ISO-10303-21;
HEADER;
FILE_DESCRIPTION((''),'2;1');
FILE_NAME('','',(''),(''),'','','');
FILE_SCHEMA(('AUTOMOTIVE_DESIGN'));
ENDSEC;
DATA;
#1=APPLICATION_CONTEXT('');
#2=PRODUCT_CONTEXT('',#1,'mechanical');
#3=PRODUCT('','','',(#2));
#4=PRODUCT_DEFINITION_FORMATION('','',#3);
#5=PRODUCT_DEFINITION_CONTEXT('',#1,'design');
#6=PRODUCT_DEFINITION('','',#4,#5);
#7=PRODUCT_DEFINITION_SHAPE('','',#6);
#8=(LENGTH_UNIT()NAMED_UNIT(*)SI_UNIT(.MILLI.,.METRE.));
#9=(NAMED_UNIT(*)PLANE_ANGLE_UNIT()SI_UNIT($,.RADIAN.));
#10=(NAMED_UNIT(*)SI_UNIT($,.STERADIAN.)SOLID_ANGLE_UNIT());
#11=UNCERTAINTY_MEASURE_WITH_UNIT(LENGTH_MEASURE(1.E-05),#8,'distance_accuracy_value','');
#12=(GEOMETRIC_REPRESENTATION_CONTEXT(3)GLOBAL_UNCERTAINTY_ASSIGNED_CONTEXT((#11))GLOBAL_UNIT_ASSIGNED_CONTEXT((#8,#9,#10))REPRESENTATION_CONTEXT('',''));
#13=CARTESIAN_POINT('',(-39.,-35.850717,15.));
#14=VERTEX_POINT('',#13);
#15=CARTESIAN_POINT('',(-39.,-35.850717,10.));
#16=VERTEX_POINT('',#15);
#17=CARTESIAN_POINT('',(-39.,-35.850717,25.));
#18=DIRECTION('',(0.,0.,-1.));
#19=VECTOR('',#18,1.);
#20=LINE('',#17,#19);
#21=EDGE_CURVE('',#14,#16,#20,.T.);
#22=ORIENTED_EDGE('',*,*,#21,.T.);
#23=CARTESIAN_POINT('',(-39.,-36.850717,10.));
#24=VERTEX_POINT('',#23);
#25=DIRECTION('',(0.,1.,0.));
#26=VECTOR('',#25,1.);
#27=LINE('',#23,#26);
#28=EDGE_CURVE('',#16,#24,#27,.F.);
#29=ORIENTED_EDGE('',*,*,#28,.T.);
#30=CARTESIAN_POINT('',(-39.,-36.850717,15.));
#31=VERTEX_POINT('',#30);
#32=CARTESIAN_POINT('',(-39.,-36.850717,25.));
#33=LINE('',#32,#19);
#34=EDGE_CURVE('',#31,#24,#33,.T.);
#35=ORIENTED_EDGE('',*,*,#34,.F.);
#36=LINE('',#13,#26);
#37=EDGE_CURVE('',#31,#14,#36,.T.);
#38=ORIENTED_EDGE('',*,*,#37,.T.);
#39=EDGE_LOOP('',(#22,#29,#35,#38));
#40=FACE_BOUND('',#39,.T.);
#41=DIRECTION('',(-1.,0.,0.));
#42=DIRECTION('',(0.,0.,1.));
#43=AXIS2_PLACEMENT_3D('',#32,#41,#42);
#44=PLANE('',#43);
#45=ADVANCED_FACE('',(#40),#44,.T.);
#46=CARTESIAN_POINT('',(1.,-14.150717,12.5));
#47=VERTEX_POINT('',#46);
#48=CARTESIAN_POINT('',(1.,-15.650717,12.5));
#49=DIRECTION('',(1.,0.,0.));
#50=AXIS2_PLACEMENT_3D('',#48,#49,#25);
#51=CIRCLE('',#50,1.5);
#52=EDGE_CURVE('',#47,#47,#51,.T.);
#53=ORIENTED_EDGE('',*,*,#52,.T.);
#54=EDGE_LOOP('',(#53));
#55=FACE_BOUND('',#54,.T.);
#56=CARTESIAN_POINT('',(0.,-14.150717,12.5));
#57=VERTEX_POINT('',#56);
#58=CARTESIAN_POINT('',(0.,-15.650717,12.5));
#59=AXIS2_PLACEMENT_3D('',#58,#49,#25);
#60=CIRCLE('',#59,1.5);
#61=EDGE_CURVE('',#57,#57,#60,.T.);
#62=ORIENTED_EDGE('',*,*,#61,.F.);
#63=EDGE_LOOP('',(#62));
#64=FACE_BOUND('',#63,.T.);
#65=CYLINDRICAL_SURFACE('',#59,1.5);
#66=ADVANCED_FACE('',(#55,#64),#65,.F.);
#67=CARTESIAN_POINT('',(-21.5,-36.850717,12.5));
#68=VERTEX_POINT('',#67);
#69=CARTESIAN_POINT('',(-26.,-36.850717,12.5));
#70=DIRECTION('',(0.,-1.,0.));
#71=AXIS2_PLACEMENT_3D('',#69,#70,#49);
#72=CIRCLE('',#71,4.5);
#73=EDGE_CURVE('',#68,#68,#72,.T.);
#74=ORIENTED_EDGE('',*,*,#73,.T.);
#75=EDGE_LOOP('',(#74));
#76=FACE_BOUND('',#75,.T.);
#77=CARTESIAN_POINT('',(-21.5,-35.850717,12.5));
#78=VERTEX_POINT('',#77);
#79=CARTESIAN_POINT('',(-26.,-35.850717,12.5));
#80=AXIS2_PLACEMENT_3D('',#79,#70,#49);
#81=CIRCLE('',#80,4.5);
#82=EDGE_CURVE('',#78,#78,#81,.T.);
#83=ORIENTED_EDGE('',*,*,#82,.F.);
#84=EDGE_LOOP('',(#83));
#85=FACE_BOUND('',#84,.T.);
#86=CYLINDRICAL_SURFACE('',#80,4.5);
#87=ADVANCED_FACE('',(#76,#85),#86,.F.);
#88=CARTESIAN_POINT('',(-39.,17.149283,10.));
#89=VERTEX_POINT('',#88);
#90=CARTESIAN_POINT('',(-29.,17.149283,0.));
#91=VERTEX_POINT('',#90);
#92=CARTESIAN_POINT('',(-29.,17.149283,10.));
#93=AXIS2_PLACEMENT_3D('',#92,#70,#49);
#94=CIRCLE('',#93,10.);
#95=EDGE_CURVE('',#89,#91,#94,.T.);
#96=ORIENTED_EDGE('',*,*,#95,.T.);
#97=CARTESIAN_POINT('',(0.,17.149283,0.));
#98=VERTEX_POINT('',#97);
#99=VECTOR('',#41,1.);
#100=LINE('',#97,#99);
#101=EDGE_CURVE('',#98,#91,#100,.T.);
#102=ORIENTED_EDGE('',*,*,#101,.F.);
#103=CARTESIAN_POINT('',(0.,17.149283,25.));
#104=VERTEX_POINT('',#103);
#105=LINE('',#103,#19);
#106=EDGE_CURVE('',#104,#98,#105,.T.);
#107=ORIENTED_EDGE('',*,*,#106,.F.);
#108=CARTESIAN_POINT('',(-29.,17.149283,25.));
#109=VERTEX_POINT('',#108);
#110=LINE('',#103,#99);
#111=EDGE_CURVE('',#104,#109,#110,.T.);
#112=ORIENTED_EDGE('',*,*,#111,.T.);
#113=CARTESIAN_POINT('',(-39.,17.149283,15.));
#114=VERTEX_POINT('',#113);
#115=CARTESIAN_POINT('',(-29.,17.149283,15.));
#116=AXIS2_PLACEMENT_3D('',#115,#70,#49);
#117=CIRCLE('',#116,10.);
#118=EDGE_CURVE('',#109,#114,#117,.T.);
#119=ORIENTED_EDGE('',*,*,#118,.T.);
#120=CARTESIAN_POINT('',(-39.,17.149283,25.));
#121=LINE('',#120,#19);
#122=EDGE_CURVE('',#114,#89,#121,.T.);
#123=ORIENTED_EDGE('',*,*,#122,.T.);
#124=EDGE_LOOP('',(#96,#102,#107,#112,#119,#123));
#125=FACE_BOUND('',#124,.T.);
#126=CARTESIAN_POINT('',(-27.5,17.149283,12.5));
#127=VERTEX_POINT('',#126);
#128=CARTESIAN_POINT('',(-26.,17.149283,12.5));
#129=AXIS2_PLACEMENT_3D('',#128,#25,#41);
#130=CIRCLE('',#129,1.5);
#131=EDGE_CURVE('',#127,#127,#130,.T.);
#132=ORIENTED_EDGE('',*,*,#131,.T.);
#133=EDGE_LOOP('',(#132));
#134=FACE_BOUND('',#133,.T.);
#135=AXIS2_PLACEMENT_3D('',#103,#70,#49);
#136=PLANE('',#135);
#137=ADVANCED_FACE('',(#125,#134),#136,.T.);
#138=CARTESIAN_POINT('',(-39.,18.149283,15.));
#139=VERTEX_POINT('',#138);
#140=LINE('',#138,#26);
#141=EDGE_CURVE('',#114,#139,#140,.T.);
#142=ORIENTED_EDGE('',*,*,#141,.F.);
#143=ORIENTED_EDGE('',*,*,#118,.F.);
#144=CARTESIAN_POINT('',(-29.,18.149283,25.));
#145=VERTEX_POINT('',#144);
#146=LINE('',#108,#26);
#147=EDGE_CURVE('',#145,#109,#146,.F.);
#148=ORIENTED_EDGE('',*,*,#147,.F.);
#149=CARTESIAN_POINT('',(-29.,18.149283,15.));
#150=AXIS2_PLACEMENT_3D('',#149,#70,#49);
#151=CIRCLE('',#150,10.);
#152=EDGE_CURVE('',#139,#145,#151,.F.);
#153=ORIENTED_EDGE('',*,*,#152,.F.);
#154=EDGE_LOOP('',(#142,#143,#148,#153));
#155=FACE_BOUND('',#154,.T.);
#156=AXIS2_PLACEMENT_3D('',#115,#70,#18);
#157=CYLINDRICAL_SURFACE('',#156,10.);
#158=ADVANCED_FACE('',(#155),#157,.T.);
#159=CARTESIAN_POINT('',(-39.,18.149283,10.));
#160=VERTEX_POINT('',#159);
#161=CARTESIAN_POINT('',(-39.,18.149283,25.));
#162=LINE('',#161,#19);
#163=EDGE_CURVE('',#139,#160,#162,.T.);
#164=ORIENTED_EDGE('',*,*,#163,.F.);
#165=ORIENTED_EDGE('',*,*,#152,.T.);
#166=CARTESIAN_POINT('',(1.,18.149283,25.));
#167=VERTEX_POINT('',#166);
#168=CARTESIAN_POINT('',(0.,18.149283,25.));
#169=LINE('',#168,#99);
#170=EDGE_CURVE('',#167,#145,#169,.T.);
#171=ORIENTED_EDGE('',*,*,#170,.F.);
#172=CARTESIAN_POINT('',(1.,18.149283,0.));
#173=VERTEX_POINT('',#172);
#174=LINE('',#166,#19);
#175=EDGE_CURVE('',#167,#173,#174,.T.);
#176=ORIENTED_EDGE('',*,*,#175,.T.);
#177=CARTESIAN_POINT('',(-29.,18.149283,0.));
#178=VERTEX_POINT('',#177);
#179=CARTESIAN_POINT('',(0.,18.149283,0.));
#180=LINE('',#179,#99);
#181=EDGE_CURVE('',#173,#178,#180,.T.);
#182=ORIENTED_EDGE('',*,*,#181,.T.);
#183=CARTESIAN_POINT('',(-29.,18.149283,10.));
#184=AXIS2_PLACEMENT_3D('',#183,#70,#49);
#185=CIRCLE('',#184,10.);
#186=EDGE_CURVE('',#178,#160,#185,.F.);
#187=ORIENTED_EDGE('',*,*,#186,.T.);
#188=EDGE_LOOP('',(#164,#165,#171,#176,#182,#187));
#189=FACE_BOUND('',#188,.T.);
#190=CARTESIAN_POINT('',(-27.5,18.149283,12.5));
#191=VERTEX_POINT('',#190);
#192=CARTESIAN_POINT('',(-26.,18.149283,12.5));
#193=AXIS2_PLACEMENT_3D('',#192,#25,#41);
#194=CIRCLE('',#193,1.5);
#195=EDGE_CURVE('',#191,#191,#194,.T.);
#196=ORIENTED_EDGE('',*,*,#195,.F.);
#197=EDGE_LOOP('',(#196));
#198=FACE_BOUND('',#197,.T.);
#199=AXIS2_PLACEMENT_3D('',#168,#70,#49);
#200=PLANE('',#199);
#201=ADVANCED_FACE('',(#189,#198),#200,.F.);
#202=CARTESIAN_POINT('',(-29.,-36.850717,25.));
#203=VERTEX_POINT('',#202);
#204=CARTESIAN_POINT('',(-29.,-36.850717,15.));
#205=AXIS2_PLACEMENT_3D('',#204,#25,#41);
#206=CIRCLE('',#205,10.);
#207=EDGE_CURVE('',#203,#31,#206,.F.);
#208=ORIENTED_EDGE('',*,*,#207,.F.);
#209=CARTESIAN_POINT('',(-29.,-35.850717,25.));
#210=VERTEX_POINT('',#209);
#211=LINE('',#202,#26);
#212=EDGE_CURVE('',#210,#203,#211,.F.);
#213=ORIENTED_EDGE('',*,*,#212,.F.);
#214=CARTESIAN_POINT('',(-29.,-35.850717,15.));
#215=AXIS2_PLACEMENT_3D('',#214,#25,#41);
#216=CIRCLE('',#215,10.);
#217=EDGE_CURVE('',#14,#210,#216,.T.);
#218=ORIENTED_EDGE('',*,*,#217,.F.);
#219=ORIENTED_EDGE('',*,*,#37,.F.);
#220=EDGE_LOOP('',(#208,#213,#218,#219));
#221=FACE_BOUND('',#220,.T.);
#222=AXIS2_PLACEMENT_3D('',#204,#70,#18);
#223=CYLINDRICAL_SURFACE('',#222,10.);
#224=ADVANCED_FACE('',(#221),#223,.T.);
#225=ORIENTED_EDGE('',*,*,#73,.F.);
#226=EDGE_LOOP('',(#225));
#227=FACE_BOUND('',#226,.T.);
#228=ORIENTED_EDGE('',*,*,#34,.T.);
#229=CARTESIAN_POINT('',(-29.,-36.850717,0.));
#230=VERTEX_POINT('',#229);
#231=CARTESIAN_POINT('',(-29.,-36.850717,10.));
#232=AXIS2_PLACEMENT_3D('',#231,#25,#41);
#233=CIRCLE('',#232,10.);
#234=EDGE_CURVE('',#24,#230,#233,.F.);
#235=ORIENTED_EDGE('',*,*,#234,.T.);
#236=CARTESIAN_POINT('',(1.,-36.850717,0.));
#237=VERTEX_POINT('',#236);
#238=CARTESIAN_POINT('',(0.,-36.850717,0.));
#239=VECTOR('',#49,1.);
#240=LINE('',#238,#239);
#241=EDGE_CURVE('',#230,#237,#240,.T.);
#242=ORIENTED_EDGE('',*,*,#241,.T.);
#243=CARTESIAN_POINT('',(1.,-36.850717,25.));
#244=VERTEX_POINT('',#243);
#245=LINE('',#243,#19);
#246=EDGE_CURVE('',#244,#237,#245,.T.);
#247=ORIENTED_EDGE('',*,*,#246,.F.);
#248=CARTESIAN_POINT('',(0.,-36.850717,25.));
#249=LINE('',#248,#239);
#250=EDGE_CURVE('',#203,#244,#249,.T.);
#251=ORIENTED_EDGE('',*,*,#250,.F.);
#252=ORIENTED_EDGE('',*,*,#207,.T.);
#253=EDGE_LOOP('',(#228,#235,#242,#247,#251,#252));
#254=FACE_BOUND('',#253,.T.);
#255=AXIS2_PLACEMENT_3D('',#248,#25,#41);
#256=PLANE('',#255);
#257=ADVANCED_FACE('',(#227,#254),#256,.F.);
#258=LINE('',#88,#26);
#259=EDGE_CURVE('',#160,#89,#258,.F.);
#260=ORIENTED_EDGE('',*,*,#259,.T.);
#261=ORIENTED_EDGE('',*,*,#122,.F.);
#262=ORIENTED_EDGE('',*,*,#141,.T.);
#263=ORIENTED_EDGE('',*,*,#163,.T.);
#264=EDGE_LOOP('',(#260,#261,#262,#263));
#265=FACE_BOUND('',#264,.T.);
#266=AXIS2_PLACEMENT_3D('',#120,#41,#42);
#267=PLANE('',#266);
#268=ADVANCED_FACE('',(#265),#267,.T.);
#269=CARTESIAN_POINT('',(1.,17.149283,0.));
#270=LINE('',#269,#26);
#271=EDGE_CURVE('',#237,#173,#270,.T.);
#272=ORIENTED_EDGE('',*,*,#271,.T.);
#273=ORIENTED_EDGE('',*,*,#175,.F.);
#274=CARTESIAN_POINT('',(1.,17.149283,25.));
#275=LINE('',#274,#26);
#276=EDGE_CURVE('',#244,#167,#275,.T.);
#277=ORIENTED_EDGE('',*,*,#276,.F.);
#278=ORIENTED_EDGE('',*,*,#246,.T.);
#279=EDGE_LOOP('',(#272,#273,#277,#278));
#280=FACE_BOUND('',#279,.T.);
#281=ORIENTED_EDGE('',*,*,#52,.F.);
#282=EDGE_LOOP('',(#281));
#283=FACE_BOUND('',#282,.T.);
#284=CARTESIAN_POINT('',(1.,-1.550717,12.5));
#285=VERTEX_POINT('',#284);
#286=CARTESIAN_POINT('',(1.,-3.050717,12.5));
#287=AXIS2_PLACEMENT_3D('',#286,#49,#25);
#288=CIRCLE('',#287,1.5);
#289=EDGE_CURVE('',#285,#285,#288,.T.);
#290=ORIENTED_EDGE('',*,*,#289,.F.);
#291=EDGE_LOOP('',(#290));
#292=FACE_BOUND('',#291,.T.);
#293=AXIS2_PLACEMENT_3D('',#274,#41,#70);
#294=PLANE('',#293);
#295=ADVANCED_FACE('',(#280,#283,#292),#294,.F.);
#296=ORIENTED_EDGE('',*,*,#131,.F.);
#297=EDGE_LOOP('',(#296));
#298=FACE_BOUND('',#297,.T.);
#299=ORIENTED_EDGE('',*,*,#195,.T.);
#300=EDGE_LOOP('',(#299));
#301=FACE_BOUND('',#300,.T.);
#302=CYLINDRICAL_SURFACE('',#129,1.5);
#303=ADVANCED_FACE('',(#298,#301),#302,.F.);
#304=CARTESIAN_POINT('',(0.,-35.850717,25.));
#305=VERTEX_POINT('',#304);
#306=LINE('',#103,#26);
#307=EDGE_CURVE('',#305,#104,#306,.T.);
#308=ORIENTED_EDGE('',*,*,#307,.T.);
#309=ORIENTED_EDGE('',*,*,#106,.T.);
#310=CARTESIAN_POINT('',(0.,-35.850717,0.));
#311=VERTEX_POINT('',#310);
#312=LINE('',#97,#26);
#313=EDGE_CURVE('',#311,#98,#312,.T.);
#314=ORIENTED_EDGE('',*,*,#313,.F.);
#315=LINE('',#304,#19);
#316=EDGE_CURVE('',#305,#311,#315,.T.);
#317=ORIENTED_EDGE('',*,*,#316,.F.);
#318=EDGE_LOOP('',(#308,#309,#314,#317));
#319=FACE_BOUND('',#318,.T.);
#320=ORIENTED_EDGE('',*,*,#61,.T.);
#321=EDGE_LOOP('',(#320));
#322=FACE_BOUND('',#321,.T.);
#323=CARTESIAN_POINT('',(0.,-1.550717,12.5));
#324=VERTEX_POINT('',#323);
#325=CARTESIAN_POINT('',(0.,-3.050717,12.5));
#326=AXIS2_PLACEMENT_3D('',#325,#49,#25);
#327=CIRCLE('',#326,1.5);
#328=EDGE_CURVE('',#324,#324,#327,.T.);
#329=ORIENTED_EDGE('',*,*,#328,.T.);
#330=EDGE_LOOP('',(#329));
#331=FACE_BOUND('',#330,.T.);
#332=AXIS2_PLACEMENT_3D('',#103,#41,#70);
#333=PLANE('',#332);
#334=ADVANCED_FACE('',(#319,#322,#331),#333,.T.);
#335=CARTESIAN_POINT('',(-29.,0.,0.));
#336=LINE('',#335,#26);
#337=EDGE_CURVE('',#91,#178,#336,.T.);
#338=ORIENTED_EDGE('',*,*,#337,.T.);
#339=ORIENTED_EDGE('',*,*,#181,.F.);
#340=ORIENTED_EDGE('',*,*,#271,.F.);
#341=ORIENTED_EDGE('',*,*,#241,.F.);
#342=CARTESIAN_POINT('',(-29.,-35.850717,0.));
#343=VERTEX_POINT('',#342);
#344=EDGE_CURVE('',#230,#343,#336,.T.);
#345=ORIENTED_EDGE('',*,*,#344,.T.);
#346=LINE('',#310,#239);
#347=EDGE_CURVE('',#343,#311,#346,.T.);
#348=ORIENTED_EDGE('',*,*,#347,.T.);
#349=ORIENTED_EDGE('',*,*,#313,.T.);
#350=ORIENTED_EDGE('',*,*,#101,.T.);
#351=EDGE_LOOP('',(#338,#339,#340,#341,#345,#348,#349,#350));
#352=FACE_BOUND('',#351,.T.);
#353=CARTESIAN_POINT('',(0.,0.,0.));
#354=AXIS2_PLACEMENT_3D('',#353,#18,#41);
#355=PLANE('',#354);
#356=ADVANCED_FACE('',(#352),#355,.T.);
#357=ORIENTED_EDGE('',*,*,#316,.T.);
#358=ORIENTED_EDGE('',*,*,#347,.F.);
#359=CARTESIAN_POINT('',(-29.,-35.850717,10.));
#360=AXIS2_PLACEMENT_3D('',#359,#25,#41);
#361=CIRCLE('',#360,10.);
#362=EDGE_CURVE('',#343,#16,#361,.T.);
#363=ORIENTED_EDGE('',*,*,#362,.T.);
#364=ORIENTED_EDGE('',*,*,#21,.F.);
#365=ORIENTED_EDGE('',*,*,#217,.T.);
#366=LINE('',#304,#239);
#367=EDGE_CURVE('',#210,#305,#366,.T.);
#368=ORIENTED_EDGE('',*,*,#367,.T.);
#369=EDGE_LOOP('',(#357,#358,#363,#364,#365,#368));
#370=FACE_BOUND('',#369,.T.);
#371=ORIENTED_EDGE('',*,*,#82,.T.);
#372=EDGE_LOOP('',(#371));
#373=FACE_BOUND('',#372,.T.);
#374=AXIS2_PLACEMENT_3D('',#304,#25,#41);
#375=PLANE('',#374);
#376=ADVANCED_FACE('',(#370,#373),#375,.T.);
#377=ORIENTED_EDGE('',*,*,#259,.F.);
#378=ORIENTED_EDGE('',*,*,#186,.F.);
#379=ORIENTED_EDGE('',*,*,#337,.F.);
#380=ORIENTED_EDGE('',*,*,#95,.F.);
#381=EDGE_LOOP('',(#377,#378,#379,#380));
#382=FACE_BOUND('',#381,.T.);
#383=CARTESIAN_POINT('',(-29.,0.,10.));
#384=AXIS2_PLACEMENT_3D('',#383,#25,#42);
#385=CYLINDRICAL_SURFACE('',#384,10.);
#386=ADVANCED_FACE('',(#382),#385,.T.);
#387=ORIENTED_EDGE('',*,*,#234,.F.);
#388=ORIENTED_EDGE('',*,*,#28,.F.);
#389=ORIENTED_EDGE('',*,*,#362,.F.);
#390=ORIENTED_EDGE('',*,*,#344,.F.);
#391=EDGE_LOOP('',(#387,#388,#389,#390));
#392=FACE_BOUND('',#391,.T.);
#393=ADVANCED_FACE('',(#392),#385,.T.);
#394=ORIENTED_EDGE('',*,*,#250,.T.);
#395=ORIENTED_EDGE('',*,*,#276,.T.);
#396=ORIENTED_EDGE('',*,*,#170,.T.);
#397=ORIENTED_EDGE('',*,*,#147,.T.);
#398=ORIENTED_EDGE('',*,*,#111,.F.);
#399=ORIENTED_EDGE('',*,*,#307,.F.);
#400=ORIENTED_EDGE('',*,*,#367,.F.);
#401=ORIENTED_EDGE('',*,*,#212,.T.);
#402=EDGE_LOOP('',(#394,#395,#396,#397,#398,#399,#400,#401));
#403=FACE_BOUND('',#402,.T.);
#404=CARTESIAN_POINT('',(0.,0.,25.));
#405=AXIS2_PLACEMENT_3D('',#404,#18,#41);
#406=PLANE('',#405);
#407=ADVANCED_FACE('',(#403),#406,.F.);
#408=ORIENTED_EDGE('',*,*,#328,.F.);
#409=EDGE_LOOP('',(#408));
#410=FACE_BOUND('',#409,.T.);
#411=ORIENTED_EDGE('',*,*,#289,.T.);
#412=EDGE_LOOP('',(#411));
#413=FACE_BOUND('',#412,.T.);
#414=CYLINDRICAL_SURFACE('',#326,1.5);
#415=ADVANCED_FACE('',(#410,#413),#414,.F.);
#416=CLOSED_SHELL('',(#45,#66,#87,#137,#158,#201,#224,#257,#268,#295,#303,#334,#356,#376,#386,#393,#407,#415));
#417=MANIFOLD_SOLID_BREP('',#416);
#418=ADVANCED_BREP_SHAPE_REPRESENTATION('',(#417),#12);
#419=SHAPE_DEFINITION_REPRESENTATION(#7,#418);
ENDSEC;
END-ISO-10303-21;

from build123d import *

# Parameters (mm, degrees)
EXTRUIR_L_MINA1_DEPTH = 25
CROQUIS2_R            = 1.5
CORTAR_EXTRUIR1_DEPTH = 1
CROQUIS5_R            = 4.5
CORTAR_EXTRUIR2_DEPTH = 1
CROQUIS6_R            = 1.5
CORTAR_EXTRUIR3_DEPTH = 1
REDONDEO1_R           = 10


with BuildPart() as part:
    # Croquis1 → Extruir-Lámina1 (new body)
    with BuildSketch(Plane.XY):
        Polygon((-39, 17.149283258), (0, 17.149283258), (0, -35.850716742), (-39, -35.850716742), (-39, -36.850716742), (1, -36.850716742), (1, 18.149283258), (-39, 18.149283258), align=None)
    extrude(amount=EXTRUIR_L_MINA1_DEPTH)

    # Croquis2 → Cortar-Extruir1 (cut)
    with BuildSketch(Plane(origin=(0, 18.149283258, 0), x_dir=(1, 0, 0), z_dir=(0, 1, 0))):
        with Locations(Location((-26, -12.5, 0), (0, 0, 180))):
            Circle(CROQUIS2_R)
    extrude(amount=-CORTAR_EXTRUIR1_DEPTH, mode=Mode.SUBTRACT)

    # Croquis5 → Cortar-Extruir2 (cut)
    with BuildSketch(Plane.XZ.offset(36.850716742)):
        with Locations((-26, 12.5)):
            Circle(CROQUIS5_R)
    extrude(amount=-CORTAR_EXTRUIR2_DEPTH, mode=Mode.SUBTRACT)

    # Croquis6 → Cortar-Extruir3 (cut)
    with BuildSketch(Plane(origin=(1, 0, 0), x_dir=(0, 0, -1), z_dir=(1, 0, 0))):
        with Locations(Location((-12.5, -15.650716742, 0), (0, 0, 90))):
            Circle(CROQUIS6_R)
        with Locations(Location((-12.5, -3.050716742, 0), (0, 0, 90))):
            Circle(CROQUIS6_R)
    extrude(amount=-CORTAR_EXTRUIR3_DEPTH, mode=Mode.SUBTRACT)

    # Redondeo1
    redondeo1_edges = [part.edges().sort_by_distance(p)[0] for p in [
        (-39, -36.350716742, 25),
        (-39, 17.649283258, 25),
        (-39, -36.350716742, 0),
        (-39, 17.649283258, 0),
    ]]
    fillet(redondeo1_edges, radius=REDONDEO1_R)


solid = part.part
